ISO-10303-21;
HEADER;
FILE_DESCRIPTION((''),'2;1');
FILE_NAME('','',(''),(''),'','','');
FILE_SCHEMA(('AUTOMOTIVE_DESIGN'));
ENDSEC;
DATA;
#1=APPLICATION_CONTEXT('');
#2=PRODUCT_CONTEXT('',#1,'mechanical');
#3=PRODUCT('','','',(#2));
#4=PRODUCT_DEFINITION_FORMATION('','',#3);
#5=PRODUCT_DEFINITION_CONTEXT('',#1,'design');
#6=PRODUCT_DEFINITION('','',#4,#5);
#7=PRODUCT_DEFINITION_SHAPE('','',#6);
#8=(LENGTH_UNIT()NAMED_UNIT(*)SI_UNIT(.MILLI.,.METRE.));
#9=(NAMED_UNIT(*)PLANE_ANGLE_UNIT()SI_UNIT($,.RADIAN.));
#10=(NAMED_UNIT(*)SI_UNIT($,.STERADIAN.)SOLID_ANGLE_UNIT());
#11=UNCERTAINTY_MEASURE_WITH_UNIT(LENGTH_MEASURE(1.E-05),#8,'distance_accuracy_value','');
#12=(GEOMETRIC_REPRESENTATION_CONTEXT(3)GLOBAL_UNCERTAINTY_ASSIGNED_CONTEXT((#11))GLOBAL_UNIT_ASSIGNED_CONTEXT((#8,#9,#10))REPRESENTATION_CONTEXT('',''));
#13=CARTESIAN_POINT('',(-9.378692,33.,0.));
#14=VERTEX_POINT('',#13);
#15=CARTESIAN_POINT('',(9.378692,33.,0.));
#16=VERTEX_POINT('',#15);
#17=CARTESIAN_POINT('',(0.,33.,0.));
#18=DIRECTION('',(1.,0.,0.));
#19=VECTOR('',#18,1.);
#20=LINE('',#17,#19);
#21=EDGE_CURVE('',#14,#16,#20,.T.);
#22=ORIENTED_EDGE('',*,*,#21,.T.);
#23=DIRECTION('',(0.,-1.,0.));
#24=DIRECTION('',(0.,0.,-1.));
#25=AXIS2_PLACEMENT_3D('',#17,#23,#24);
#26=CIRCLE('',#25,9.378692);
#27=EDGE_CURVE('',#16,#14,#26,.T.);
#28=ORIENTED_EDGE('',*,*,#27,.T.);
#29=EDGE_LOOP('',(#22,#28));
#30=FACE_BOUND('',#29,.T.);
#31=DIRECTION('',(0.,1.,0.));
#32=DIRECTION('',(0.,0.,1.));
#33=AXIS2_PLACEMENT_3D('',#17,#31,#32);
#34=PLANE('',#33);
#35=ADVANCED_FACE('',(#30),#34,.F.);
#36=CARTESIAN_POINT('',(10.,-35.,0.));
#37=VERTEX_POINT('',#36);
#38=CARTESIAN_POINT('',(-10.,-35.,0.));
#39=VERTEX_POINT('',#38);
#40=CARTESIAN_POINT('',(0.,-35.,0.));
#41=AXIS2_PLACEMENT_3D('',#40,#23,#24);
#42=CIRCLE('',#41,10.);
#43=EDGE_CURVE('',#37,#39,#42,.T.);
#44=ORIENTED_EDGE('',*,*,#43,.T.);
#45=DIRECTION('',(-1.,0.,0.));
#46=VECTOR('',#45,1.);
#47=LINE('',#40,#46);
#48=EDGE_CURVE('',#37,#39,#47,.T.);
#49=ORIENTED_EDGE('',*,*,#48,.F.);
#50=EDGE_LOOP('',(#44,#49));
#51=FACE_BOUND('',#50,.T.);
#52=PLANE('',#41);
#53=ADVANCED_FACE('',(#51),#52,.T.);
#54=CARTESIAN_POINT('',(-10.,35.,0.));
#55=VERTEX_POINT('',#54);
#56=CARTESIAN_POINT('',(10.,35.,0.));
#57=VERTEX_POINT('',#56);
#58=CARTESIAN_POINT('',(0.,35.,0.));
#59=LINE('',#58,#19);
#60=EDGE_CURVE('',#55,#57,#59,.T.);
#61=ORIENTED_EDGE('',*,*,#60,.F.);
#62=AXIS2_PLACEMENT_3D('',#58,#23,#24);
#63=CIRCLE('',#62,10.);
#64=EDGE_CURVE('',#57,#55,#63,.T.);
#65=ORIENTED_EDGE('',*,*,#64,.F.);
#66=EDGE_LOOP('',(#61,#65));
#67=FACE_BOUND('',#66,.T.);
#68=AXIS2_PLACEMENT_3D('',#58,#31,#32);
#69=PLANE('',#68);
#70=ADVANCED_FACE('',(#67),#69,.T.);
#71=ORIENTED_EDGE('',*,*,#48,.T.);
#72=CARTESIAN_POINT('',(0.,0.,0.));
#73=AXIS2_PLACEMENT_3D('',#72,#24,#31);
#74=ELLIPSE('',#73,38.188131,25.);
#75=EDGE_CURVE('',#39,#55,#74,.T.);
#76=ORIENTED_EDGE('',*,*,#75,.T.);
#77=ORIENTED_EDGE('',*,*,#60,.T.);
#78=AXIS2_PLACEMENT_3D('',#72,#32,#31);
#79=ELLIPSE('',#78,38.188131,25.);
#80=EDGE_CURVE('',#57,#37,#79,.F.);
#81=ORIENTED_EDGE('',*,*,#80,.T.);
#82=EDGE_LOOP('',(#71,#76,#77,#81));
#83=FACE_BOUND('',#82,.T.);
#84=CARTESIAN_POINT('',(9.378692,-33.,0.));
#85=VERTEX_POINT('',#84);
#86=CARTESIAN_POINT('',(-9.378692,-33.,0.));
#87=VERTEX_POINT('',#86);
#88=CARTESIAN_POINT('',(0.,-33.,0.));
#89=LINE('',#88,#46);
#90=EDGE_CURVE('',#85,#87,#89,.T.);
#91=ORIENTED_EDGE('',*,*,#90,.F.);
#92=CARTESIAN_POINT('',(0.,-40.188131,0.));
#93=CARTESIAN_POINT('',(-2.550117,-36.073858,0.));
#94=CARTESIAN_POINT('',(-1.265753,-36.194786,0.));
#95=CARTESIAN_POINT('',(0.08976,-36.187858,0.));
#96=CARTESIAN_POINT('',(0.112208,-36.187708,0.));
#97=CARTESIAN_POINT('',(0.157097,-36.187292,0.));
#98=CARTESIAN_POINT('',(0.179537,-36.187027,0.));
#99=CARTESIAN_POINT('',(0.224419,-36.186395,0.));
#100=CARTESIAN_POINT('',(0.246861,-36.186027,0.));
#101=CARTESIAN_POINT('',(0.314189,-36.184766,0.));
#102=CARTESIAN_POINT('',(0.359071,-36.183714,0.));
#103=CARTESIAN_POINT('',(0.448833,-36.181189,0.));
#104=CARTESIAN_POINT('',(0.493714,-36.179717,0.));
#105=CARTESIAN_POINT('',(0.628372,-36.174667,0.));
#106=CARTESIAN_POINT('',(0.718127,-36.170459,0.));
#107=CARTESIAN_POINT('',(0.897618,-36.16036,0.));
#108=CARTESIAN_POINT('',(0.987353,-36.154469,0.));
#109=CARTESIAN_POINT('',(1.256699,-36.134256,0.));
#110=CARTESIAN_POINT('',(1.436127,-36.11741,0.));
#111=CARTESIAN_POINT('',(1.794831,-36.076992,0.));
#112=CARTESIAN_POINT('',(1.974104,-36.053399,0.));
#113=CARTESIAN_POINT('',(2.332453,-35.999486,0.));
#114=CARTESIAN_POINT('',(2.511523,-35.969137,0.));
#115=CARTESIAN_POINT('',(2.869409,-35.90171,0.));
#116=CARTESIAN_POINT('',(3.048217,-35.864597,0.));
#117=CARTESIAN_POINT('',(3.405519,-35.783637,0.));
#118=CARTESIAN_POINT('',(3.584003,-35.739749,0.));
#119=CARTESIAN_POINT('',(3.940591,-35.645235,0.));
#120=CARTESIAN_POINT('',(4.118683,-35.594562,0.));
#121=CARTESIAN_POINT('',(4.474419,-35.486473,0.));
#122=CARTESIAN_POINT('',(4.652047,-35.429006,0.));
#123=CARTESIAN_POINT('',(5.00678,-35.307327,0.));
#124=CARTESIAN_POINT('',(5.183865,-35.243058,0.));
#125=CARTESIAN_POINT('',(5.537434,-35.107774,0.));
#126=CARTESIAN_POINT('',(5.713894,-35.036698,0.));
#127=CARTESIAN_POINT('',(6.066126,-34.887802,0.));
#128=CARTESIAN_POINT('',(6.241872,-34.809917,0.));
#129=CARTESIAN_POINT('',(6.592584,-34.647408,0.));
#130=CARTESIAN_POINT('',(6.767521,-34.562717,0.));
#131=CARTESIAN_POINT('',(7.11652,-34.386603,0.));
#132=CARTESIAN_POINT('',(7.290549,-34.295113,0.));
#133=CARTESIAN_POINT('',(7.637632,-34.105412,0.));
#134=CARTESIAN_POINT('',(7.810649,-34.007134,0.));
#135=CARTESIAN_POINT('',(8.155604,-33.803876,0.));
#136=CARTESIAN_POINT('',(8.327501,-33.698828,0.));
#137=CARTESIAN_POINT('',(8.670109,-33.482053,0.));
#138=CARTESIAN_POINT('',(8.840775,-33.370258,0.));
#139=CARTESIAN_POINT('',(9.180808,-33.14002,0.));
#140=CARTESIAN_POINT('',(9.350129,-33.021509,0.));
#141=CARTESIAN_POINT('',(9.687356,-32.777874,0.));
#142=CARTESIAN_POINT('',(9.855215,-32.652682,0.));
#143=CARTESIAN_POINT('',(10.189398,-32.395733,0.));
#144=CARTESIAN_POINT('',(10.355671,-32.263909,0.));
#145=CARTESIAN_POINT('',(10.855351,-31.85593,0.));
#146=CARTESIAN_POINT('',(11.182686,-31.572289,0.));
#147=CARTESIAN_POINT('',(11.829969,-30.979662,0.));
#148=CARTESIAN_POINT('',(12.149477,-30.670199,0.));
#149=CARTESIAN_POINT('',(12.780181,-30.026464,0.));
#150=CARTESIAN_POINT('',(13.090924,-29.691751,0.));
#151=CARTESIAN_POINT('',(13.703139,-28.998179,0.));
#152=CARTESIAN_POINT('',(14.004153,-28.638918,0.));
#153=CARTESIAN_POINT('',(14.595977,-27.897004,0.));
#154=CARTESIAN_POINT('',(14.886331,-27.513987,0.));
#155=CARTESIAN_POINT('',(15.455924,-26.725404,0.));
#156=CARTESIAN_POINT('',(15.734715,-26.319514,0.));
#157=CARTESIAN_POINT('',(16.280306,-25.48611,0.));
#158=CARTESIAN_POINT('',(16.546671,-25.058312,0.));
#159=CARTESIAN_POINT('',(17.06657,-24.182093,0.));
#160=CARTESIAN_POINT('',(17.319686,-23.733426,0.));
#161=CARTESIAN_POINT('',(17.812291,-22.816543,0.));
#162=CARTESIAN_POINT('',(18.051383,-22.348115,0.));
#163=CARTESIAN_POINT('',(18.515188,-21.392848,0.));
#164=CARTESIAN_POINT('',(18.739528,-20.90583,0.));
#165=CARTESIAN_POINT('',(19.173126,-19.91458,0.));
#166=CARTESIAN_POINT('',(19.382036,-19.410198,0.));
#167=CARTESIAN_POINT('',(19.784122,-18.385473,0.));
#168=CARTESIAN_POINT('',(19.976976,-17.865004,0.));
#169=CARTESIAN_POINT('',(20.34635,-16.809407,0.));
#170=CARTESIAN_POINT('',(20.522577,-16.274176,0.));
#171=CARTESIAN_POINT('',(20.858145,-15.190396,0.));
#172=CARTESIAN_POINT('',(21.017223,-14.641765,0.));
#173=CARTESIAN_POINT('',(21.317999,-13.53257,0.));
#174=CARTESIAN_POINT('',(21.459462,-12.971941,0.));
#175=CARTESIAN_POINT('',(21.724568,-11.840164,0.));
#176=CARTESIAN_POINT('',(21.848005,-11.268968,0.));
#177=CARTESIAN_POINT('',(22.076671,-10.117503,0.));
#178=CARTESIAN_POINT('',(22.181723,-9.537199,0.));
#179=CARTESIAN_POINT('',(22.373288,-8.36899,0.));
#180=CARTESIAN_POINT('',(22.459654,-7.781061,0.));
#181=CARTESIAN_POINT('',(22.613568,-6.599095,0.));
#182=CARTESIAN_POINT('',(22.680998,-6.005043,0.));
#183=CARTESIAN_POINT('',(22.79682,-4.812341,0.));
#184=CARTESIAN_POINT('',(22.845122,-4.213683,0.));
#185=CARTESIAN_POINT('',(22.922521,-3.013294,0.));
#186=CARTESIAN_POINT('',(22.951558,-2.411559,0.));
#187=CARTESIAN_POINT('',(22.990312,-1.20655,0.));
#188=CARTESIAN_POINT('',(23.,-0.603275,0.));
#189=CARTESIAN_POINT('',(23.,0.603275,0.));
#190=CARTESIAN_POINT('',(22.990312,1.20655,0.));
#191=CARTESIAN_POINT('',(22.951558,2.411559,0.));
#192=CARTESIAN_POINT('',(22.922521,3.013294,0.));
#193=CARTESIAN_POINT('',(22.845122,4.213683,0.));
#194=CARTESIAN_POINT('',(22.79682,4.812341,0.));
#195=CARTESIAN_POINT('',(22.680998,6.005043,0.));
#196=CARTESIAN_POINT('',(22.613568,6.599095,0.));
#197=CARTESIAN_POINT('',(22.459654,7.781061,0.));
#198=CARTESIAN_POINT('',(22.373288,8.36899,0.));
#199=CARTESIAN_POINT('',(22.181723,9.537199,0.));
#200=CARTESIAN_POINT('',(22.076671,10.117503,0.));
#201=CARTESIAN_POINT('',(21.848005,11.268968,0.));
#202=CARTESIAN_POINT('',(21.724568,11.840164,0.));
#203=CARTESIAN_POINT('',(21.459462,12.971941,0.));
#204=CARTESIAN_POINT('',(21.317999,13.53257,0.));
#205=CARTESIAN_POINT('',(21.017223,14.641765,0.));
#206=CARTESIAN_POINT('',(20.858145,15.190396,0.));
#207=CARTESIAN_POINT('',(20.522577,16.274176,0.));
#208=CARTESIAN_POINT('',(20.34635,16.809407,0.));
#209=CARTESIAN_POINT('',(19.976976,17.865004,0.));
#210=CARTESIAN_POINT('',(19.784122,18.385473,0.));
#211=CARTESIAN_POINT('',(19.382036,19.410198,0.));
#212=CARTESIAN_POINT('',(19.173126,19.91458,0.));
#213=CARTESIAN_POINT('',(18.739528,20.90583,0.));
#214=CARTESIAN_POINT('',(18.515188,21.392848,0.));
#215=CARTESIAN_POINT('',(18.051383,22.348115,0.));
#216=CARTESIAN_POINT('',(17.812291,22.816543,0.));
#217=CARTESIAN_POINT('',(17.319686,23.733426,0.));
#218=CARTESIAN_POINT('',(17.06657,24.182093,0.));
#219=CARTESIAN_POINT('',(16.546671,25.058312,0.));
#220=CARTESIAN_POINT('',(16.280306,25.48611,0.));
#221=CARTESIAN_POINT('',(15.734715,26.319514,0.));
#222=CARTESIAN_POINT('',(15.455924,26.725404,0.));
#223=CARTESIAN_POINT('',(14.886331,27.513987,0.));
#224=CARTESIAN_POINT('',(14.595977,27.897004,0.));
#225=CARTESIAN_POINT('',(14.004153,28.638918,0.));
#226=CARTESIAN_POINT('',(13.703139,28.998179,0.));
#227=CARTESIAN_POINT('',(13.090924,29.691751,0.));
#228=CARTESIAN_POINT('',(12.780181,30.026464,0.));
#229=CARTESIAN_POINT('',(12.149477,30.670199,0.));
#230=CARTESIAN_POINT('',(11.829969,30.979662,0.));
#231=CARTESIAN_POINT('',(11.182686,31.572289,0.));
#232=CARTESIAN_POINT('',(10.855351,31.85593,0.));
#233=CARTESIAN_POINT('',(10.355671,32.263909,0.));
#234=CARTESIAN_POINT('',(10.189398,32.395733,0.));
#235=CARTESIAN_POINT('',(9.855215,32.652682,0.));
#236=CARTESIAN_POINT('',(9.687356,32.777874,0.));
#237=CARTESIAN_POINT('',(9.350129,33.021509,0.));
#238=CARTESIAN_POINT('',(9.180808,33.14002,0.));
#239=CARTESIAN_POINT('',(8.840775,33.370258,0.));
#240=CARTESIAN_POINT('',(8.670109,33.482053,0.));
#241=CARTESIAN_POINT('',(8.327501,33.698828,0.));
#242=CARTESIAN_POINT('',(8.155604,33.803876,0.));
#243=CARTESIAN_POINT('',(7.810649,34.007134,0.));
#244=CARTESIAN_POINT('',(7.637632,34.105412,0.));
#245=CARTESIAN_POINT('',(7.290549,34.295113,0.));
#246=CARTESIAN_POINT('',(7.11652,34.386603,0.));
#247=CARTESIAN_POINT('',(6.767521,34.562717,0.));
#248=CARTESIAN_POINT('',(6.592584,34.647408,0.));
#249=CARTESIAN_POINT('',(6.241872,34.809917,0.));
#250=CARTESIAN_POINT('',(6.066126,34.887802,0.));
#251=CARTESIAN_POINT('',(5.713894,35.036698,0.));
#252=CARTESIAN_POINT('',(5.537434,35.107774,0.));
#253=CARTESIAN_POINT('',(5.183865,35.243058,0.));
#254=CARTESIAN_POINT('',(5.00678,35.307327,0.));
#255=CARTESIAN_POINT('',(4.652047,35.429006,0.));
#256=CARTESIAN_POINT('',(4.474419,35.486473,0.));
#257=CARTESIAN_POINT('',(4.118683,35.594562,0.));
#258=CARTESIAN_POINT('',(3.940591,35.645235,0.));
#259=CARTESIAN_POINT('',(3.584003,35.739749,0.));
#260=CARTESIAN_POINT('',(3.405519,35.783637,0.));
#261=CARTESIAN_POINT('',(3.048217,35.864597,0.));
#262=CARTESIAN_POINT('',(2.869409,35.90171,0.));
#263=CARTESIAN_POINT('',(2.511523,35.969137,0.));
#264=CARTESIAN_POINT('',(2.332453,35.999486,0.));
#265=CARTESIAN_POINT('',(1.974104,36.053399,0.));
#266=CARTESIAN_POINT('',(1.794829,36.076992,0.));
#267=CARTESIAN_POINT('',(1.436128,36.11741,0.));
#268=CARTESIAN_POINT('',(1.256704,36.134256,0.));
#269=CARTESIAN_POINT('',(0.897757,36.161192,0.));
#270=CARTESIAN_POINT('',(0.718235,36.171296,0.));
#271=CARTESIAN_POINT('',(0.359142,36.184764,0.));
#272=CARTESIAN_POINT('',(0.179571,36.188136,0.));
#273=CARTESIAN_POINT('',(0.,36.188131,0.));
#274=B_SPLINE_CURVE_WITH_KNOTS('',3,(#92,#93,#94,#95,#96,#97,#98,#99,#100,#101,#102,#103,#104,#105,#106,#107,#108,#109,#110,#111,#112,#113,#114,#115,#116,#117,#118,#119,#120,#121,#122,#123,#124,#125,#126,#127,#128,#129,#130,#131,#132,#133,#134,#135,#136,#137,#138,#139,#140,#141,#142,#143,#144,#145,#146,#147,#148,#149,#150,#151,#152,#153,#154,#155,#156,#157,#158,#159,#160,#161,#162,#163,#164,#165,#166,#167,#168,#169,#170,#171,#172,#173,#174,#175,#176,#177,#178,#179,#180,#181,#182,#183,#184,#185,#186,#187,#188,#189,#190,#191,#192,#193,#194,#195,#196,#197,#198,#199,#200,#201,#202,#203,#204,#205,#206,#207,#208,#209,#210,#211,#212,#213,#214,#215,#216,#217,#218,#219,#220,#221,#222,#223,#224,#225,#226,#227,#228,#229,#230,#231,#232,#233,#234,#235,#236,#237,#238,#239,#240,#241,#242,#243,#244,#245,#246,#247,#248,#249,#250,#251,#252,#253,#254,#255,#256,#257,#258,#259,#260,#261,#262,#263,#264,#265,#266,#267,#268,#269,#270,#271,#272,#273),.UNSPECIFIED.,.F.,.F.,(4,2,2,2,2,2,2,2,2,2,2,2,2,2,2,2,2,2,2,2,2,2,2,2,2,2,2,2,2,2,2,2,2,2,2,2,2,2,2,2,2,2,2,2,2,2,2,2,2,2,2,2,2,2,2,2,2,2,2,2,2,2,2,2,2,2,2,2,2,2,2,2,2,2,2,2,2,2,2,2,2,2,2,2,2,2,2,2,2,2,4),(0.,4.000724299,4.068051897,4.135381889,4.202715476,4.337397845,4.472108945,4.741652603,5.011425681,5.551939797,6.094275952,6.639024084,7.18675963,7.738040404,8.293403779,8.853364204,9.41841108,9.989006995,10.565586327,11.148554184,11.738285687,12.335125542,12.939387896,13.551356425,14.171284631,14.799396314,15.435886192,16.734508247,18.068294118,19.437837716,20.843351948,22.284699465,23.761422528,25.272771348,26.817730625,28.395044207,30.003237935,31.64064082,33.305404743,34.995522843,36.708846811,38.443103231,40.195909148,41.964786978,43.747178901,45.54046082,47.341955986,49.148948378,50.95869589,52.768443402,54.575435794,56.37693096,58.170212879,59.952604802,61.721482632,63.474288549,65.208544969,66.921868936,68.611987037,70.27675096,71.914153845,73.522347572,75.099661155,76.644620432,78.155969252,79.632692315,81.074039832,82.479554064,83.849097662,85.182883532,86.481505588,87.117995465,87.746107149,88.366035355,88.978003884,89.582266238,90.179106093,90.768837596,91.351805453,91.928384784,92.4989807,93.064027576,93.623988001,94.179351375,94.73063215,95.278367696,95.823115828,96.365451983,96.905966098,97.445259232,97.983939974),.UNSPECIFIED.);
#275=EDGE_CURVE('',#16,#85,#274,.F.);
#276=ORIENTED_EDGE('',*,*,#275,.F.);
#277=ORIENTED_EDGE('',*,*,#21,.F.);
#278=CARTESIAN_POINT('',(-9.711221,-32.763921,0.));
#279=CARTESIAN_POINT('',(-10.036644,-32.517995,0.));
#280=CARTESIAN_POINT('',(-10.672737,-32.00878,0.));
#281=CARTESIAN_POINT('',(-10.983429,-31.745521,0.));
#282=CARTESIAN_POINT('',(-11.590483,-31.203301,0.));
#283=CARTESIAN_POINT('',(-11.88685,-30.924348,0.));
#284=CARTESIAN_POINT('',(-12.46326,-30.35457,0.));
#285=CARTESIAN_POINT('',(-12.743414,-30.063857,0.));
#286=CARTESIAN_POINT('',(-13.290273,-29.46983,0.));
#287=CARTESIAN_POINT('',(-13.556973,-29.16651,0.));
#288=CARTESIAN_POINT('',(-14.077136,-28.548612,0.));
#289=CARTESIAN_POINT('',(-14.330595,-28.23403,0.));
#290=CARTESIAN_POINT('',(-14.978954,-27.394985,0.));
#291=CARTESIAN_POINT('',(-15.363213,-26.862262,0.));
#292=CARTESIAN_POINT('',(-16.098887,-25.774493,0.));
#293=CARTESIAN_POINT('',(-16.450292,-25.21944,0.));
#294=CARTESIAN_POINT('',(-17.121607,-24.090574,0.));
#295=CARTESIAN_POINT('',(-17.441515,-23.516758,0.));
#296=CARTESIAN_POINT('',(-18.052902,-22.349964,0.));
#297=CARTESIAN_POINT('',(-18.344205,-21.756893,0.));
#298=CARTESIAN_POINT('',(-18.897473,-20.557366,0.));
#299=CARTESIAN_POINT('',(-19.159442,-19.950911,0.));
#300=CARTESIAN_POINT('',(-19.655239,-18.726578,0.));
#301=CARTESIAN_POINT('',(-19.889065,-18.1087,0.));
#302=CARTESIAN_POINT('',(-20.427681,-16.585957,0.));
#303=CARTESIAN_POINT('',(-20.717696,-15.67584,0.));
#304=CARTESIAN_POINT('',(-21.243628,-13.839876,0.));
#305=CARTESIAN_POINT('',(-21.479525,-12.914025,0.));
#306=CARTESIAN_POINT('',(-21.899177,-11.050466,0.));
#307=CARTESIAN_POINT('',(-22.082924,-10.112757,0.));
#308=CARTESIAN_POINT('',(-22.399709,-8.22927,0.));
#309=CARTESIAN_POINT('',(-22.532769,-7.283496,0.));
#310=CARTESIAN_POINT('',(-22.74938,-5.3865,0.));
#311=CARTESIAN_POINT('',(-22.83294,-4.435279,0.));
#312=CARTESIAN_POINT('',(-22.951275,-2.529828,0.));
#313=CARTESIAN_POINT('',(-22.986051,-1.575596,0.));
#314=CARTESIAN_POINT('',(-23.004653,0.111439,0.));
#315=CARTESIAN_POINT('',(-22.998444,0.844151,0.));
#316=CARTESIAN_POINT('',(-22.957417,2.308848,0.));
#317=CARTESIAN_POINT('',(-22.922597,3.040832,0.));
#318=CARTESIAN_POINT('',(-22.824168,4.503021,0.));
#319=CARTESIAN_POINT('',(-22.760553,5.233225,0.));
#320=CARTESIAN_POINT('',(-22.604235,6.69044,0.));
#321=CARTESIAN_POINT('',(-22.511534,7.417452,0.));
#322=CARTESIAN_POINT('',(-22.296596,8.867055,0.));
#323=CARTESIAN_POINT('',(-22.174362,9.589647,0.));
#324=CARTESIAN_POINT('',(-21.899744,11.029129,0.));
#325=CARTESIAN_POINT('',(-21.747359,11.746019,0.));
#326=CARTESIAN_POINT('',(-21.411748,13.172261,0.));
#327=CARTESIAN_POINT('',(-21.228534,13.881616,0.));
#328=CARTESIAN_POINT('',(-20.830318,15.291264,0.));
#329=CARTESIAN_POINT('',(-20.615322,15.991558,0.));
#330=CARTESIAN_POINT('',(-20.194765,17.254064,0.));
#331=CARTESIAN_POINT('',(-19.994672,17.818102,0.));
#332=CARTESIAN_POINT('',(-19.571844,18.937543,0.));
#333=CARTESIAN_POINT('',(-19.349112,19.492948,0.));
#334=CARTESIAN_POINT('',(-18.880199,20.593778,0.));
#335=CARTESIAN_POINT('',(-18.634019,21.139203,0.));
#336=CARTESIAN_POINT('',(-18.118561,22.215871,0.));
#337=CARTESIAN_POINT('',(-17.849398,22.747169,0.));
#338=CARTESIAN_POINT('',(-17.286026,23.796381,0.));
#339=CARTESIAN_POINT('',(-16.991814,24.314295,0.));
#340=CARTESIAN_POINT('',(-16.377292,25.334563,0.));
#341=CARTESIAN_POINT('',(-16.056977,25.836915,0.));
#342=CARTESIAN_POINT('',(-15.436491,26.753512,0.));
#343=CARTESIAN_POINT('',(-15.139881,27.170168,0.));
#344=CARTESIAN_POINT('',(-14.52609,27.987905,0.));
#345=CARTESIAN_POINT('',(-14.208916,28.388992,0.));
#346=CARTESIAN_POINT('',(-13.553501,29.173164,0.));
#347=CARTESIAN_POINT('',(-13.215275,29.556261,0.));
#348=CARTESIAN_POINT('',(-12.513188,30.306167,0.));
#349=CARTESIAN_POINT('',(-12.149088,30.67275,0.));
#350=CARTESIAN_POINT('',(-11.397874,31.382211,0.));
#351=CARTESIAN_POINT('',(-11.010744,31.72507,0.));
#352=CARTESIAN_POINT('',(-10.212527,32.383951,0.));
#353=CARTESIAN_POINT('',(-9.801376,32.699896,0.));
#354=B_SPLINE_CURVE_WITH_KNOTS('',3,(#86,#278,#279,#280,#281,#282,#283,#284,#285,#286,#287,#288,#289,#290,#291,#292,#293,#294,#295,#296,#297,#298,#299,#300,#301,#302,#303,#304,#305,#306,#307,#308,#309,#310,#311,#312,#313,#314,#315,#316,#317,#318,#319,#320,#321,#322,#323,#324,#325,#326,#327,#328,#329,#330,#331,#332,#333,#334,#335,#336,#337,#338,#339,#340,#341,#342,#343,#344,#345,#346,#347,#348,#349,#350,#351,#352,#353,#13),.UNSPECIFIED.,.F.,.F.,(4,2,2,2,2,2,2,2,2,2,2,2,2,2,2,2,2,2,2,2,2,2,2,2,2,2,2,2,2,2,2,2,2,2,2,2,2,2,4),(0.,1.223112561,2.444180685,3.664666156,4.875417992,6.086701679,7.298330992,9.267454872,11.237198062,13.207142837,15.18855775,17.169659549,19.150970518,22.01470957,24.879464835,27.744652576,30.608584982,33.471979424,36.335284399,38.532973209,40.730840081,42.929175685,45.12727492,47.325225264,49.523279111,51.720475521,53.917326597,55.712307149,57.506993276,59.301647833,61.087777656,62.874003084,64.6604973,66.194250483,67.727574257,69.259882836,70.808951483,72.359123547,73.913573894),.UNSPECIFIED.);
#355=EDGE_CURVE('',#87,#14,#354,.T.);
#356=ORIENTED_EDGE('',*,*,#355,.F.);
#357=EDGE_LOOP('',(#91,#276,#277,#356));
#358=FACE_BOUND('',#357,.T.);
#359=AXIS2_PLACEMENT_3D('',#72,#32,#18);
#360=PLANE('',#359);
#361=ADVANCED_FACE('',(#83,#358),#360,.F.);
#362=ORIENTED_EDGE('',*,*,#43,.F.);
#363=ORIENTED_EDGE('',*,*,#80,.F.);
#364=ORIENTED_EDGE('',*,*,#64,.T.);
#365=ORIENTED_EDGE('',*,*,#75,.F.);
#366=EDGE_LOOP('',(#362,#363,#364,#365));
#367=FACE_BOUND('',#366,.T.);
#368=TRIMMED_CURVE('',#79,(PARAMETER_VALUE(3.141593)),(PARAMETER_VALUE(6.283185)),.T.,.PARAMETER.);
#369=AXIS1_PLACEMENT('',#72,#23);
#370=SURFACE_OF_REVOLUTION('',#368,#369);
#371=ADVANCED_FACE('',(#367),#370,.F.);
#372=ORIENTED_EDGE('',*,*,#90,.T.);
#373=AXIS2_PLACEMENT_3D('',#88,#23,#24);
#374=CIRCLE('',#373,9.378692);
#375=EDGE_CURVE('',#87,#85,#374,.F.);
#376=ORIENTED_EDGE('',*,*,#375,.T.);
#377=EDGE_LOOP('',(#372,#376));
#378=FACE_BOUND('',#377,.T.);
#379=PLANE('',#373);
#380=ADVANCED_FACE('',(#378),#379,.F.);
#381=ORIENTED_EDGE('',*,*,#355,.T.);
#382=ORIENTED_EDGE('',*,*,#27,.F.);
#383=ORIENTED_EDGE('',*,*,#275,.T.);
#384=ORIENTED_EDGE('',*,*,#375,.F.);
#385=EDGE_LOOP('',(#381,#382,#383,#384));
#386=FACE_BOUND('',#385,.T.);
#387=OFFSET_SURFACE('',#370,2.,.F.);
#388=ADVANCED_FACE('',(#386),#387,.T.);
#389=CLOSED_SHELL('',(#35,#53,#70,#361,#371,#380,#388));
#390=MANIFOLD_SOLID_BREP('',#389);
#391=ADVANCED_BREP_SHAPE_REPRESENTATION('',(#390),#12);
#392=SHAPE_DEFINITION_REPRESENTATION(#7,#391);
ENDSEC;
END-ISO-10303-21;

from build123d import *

# Parameters (mm, degrees)
VACIADO1_T              = -2
CROQUIS2_R              = 10
SALIENTE_EXTRUIR1_DEPTH = 2
CROQUIS3_R              = 10
SALIENTE_EXTRUIR2_DEPTH = 2
CROQUIS4_W              = 80.821615775
CROQUIS4_H              = 80
CORTAR_EXTRUIR1_DEPTH   = 50


with BuildPart() as part:
    # Croquis1 → Revolución1 (revolve)
    with BuildSketch(Plane.XY):
        with BuildLine():
            Line((0, 35), (10, 35))
            add(Edge.make_bspline(
                [(10, -35), (62.5, 0), (10, 35)],
                knots=[3.5531095, 3.5531095, 3.5531095, 5.871668461, 5.871668461, 5.871668461], degree=2, weights=[1, 0.4, 1]))
            Line((10, -35), (0, -35))
            Line((0, -35), (0, 0))
            Line((0, 0), (0, 35))
        make_face()
    revolve(axis=Axis((0, 0, 0), (0, 1, 0)))

    # Vaciado1
    vaciado1_openings = [part.faces().sort_by_distance(p)[0] for p in [
        (0, 35, 0),
        (0, -35, 0),
    ]]
    offset(amount=VACIADO1_T, openings=vaciado1_openings)

    # Croquis2 → Saliente-Extruir1 (add)
    with BuildSketch(Plane(origin=(0, 35, 0), x_dir=(1, 0, 0), z_dir=(0, 1, 0))):
        Circle(CROQUIS2_R)
    extrude(amount=-SALIENTE_EXTRUIR1_DEPTH)

    # Croquis3 → Saliente-Extruir2 (add)
    with BuildSketch(Plane.XZ.offset(35)):
        Circle(CROQUIS3_R)
    extrude(amount=-SALIENTE_EXTRUIR2_DEPTH)

    # Croquis4 → Cortar-Extruir1 (cut)
    with BuildSketch(Plane.XY):
        with Locations((2.983348233, -0.749824732)):
            Rectangle(CROQUIS4_W, CROQUIS4_H)
    extrude(amount=-CORTAR_EXTRUIR1_DEPTH, mode=Mode.SUBTRACT)


solid = part.part
